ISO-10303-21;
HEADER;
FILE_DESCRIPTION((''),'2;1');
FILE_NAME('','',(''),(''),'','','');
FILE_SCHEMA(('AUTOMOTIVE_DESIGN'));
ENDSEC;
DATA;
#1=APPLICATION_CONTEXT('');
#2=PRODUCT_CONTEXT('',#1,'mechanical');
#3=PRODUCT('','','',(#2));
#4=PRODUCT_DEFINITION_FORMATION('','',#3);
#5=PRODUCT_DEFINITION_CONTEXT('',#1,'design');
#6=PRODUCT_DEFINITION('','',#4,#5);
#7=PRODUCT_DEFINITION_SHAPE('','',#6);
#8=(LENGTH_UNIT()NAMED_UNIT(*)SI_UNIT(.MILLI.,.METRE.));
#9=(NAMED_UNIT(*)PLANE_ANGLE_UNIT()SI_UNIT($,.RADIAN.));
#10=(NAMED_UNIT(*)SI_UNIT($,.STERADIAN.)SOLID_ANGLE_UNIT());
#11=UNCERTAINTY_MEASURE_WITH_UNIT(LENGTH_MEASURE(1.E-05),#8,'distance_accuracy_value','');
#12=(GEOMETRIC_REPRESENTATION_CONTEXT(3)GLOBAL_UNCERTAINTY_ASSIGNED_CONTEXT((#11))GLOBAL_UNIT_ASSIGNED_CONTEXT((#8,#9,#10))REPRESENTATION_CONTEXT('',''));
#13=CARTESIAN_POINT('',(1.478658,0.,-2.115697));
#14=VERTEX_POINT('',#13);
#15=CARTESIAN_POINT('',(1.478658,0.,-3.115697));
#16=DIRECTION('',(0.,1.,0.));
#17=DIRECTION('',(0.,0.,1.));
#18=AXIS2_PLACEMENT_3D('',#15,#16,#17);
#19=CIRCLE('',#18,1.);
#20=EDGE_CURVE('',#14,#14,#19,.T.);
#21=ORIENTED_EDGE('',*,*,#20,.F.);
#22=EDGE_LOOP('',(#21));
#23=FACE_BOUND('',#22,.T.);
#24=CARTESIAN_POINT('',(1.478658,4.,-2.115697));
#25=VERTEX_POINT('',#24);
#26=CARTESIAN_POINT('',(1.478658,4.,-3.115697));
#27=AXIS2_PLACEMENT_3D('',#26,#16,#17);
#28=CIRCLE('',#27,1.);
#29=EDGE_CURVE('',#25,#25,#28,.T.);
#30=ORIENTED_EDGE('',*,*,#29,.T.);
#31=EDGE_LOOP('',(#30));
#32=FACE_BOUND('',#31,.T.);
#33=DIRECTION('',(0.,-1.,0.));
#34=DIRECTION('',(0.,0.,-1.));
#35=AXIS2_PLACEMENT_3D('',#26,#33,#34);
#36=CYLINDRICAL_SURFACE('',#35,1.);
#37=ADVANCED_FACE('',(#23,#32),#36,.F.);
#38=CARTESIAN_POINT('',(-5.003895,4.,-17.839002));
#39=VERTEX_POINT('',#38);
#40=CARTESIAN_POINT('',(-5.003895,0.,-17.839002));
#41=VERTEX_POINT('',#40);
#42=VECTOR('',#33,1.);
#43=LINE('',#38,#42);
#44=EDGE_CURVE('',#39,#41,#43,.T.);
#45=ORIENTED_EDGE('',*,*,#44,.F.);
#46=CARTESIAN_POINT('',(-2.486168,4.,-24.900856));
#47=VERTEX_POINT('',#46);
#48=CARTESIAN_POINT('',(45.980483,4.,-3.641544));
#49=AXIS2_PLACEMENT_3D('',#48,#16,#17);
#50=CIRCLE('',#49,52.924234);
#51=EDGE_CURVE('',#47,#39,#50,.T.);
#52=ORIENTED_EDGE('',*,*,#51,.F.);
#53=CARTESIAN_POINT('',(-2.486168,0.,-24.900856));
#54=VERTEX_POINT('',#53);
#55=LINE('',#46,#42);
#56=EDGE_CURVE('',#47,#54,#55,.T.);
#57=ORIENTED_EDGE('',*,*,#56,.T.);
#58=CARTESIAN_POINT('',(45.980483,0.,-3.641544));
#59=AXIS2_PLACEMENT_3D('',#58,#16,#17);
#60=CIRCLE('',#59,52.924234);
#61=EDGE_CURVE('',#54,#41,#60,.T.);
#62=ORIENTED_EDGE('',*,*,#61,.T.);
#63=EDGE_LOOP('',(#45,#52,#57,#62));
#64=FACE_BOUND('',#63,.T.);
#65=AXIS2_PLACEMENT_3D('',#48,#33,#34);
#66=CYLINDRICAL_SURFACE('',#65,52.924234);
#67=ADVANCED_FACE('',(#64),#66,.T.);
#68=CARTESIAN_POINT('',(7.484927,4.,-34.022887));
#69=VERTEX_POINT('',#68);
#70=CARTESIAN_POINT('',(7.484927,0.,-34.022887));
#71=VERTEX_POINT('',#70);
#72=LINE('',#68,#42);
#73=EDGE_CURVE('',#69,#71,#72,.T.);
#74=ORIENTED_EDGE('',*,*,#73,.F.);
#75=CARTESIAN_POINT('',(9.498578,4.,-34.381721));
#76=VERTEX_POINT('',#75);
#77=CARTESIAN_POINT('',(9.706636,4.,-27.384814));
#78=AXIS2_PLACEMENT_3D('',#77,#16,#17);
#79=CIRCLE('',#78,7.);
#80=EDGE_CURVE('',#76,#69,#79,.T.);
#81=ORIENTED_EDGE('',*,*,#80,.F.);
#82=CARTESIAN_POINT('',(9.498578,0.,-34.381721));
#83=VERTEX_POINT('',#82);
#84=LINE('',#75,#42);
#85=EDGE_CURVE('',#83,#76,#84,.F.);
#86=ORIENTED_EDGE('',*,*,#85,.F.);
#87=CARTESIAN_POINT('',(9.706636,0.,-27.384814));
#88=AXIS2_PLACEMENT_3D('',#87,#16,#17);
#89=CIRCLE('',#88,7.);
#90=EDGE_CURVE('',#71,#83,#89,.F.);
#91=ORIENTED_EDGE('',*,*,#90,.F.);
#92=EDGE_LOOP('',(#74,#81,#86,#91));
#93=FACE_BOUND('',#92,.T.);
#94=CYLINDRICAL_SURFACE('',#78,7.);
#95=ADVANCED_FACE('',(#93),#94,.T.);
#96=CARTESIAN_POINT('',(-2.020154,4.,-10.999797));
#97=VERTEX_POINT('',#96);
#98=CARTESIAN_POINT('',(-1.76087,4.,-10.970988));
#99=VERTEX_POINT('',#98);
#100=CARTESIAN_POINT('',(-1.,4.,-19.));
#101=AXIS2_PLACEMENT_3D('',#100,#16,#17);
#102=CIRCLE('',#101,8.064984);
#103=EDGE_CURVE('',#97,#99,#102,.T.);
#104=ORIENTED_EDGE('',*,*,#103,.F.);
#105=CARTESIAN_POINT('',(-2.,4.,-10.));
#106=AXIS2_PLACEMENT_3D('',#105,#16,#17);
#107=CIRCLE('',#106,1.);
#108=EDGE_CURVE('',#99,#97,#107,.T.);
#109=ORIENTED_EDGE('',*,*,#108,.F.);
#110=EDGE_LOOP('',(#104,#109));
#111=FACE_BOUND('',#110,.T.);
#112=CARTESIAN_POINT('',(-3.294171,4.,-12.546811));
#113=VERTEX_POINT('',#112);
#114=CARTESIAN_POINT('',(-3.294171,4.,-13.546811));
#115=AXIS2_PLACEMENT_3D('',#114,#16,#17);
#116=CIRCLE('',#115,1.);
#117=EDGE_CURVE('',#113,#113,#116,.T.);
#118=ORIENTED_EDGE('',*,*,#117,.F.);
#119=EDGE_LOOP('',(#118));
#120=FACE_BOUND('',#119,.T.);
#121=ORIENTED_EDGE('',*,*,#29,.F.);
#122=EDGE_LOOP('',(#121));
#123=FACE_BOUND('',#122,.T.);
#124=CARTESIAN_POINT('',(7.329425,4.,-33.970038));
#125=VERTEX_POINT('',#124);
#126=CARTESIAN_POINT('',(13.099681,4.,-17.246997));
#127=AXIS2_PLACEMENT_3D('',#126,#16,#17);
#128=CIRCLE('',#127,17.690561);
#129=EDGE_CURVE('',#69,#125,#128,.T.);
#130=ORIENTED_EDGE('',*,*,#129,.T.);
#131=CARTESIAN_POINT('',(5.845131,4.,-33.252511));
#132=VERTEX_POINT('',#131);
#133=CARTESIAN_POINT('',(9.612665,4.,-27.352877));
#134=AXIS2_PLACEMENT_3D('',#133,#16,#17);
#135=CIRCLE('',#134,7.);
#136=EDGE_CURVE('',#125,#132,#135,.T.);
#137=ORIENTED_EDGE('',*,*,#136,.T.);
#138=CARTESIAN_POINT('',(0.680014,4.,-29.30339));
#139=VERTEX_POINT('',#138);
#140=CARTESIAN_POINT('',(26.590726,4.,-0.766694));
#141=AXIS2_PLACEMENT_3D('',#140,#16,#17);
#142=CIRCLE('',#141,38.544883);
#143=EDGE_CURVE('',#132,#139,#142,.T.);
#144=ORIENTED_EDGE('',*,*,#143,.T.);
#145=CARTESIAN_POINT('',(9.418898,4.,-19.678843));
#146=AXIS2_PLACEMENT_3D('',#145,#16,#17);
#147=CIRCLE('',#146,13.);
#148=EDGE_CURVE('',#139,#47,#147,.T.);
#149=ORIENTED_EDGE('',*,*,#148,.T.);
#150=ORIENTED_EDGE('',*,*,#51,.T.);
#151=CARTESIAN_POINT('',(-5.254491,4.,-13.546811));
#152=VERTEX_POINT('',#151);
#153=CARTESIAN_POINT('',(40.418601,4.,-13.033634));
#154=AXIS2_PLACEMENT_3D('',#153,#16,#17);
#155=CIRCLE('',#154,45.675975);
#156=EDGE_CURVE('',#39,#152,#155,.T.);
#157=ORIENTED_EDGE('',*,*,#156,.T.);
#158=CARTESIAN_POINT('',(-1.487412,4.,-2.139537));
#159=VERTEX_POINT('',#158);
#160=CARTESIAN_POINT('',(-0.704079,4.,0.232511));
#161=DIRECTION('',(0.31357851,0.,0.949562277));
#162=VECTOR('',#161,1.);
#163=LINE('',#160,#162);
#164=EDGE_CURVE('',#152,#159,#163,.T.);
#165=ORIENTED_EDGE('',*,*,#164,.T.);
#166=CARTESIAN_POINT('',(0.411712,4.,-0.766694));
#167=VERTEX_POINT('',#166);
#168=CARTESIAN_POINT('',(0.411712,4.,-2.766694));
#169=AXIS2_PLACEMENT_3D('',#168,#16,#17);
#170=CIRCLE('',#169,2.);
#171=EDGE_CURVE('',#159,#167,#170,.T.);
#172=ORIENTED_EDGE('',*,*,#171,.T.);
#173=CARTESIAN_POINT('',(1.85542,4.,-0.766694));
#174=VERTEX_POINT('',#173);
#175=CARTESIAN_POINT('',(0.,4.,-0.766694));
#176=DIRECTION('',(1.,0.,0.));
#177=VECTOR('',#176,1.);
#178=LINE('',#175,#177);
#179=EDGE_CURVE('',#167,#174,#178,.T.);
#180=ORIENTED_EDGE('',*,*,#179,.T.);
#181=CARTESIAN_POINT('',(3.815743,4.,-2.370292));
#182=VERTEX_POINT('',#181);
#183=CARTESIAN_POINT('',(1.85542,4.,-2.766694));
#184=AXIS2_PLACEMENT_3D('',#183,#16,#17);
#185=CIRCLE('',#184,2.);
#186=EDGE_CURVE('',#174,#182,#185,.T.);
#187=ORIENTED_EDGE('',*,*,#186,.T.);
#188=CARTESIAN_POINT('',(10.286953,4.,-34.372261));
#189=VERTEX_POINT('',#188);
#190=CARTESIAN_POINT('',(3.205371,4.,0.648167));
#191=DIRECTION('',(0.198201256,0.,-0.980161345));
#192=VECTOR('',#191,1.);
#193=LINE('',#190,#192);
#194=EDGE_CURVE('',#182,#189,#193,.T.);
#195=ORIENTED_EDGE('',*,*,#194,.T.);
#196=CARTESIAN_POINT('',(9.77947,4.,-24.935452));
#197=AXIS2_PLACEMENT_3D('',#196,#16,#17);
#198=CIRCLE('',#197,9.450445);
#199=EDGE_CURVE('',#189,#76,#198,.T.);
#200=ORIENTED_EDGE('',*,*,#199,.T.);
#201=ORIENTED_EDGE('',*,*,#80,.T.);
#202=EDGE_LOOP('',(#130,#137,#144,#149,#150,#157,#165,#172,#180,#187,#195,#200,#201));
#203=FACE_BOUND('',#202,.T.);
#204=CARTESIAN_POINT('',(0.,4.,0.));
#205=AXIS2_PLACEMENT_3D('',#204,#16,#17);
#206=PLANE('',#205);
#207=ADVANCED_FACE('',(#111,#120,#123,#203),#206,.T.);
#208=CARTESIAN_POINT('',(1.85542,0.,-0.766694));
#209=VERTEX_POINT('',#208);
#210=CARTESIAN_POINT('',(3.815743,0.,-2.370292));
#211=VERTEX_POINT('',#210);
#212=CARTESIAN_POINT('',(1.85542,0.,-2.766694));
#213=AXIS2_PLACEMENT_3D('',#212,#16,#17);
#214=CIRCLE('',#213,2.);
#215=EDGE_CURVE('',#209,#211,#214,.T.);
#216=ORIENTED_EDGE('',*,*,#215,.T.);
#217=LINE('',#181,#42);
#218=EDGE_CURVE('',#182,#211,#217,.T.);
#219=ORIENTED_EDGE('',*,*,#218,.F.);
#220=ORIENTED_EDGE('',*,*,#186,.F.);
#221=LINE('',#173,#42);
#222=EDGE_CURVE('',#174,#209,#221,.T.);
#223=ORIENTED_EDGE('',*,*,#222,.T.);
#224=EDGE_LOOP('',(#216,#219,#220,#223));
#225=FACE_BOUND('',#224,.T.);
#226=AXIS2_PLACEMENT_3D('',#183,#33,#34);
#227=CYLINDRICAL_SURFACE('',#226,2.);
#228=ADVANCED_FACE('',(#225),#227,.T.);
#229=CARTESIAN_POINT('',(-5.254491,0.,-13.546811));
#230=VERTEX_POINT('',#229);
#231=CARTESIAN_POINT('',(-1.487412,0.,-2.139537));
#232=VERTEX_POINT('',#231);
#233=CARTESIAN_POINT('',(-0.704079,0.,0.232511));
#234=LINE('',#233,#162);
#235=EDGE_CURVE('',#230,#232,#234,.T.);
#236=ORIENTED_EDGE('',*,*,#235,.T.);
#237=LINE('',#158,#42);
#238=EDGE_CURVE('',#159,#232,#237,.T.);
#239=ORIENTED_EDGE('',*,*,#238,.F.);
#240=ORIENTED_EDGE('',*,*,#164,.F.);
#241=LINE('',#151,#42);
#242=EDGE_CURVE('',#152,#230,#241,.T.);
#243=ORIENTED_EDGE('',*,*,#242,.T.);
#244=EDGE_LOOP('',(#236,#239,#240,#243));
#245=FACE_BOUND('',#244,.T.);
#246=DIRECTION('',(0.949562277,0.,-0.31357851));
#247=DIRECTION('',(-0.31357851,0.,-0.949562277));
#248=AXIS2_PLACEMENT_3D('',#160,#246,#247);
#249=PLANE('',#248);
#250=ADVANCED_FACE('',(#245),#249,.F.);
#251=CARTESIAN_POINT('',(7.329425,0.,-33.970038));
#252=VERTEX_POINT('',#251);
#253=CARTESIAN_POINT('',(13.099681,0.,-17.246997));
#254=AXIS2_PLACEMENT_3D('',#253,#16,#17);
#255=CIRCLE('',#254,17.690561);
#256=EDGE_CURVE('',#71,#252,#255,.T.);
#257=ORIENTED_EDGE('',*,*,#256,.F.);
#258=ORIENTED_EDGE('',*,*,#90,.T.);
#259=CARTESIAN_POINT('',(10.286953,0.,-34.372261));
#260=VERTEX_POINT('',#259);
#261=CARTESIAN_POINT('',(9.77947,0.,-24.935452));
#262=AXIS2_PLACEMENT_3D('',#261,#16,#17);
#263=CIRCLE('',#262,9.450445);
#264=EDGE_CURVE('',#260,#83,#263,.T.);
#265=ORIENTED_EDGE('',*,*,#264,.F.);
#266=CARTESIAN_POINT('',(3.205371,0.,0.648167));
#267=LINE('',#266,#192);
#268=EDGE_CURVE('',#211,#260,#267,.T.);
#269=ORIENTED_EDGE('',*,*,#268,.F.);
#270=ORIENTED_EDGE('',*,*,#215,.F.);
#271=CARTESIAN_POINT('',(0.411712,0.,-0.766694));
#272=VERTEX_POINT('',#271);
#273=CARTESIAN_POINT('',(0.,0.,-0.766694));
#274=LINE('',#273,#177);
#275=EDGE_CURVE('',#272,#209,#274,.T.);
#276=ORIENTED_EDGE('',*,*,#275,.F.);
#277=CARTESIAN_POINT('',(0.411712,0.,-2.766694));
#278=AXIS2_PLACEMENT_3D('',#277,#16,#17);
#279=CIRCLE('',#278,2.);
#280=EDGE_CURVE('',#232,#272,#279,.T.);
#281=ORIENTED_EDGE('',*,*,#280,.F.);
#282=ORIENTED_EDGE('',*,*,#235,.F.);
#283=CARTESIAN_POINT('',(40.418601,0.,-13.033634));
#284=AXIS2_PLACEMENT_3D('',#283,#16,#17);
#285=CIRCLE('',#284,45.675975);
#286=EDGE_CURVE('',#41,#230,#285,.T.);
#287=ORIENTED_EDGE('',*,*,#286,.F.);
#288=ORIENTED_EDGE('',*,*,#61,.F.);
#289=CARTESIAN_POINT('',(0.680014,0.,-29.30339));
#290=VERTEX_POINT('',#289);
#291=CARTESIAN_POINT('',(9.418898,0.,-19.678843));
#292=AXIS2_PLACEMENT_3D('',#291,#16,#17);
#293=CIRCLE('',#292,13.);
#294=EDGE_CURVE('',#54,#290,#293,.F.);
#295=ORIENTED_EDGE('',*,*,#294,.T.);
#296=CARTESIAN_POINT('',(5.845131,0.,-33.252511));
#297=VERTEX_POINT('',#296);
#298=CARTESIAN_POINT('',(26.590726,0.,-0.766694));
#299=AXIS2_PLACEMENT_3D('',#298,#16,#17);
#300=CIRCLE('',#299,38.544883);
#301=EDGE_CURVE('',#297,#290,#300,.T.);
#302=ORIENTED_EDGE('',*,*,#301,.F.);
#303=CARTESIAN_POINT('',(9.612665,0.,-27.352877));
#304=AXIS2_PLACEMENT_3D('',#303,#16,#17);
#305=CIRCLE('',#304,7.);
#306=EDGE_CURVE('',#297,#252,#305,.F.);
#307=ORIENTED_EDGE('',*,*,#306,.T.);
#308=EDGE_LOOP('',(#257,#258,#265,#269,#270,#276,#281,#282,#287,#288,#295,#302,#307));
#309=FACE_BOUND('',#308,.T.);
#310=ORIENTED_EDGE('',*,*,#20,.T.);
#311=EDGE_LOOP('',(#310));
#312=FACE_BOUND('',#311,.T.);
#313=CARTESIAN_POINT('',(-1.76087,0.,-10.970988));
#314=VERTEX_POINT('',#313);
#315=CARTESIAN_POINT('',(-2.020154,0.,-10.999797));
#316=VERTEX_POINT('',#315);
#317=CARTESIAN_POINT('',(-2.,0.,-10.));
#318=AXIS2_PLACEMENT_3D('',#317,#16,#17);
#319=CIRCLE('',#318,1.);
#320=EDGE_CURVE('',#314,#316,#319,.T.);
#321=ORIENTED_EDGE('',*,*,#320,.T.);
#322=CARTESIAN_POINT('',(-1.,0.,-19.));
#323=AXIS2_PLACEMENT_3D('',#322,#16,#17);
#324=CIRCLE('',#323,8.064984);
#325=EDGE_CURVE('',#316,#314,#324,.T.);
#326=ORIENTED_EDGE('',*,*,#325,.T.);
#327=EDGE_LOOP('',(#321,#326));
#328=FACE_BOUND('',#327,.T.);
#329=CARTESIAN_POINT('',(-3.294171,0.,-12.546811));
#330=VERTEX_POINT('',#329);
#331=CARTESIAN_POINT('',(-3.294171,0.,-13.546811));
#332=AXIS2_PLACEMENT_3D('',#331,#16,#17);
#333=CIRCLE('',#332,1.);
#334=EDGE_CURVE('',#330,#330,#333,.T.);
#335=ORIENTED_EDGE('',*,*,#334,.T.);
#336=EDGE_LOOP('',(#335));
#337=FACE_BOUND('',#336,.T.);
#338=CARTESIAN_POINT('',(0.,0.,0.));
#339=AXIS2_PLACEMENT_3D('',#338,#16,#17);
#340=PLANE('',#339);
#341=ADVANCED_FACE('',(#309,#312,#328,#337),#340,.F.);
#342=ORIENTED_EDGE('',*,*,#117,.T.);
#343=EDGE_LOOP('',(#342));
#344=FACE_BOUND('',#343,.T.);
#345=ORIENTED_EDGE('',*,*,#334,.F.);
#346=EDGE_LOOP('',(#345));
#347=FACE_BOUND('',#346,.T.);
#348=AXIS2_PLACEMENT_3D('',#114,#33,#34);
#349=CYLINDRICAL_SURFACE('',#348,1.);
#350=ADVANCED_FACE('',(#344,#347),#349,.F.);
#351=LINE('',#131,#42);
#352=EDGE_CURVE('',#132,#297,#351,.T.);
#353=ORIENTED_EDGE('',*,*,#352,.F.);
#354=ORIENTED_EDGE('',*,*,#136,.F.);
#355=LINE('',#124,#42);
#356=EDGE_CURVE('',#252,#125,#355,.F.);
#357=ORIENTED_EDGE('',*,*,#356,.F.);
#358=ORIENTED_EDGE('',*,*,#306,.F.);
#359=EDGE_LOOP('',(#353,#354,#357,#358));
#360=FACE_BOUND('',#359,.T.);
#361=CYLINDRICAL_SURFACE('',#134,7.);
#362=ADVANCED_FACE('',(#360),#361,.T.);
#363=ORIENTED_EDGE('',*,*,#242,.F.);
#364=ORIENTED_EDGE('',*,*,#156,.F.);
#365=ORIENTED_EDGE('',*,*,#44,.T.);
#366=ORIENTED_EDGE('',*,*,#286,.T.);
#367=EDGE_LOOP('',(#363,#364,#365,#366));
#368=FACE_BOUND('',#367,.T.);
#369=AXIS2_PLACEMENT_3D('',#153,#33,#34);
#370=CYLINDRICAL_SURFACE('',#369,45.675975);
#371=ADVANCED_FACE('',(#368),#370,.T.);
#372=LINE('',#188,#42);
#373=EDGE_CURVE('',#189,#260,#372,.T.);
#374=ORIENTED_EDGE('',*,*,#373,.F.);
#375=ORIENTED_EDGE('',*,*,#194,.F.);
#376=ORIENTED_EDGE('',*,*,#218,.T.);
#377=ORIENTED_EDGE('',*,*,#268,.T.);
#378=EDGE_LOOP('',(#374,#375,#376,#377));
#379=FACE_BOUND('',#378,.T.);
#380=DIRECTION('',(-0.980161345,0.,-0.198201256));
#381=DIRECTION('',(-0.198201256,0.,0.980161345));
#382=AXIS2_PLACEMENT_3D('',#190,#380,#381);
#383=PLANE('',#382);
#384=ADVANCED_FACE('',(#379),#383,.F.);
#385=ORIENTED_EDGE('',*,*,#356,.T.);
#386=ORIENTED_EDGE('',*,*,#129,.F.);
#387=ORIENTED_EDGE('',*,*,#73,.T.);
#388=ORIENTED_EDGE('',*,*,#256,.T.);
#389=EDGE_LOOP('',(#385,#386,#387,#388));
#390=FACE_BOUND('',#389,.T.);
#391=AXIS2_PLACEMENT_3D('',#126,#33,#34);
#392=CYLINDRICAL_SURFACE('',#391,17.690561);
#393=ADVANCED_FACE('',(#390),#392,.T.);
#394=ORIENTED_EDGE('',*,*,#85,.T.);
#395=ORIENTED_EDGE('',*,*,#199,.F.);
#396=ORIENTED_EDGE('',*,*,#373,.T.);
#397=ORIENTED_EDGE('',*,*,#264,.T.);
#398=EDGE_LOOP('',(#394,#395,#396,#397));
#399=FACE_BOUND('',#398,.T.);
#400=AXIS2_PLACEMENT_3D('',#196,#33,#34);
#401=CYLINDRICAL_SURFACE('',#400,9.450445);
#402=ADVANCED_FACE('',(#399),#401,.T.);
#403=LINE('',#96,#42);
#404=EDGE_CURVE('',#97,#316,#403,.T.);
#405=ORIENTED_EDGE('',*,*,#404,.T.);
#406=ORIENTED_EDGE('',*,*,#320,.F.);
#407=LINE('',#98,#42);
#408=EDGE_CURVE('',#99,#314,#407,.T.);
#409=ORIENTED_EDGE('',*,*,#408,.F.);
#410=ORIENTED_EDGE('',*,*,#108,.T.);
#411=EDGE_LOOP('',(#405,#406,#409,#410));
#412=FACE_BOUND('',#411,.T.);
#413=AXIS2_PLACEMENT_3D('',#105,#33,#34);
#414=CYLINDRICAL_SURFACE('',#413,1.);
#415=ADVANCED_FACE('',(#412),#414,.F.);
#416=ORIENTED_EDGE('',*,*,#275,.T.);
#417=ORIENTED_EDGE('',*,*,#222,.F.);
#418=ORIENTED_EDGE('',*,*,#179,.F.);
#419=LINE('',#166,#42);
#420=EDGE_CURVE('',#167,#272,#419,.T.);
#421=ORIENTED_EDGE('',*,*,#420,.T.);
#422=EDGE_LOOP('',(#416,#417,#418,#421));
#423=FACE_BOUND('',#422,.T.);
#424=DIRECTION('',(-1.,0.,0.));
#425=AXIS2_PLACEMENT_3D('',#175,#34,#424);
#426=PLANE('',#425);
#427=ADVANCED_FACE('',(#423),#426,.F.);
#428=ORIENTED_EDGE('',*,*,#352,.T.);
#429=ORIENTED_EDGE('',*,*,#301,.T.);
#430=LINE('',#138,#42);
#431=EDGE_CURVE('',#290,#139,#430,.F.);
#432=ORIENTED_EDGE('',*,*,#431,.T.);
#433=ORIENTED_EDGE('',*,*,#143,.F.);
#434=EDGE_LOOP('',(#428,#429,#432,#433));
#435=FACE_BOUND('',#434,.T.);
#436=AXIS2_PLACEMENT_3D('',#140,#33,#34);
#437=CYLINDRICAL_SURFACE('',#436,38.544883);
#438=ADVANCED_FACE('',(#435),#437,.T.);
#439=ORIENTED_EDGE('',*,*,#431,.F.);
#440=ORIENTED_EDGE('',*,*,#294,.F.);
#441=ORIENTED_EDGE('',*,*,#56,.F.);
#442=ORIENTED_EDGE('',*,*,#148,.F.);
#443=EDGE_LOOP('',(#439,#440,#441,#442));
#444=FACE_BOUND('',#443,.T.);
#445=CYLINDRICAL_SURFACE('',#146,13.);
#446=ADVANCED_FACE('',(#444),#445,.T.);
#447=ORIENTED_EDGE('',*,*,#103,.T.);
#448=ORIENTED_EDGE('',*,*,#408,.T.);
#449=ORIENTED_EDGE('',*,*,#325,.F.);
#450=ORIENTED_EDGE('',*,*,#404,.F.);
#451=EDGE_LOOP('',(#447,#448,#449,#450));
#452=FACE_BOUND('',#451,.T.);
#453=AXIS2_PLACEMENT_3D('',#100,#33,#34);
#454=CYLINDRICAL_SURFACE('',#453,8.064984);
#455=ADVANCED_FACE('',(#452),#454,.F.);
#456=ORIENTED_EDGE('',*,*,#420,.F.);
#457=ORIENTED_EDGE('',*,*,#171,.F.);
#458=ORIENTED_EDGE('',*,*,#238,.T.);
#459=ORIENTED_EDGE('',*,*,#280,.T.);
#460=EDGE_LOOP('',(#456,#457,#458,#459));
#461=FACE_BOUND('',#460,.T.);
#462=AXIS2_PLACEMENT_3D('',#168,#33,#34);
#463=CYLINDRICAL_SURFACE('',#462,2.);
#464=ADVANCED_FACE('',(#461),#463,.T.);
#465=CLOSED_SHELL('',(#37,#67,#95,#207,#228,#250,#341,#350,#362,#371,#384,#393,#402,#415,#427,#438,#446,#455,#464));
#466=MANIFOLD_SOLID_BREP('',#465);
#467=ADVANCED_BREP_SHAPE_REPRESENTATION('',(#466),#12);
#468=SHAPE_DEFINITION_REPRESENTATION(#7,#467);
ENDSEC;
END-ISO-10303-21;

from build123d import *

# Parameters (mm, degrees)
SKETCH2_R           = 1
BOSS_EXTRUDE2_DEPTH = 4
FILLET1_R           = 13
FILLET2_R           = 7
FILLET4_R           = 7


with BuildPart() as part:
    # Sketch2 → Boss-Extrude2 (new body)
    with BuildSketch(Plane(origin=(0, 0, 0), x_dir=(1, 0, 0), z_dir=(0, 1, 0))):
        with BuildLine():
            Line((-5.254491041, 13.546811275), (-1.48741211, 2.139537078))
            ThreePointArc((-1.48741211, 2.139537078), (-0.759971379, 1.145843389), (0.411712444, 0.766694098))
            Line((0.411712444, 0.766694098), (1.855419889, 0.766694098))
            ThreePointArc((1.855419889, 0.766694098), (3.121752187, 1.218662279), (3.815742579, 2.370291586))
            Line((3.815742579, 2.370291586), (10.286953209, 34.372260906))
            ThreePointArc((10.286953209, 34.372260906), (9.271638883, 34.372242241), (8.262186146, 34.263300263))
            ThreePointArc((8.262186146, 34.263300263), (7.370397326, 33.984118682), (6.494594719, 33.658236114))
            ThreePointArc((6.494594719, 33.658236114), (2.361803433, 30.744474886), (-1.353992878, 27.314777221))
            ThreePointArc((-1.353992878, 27.314777221), (-3.406730235, 22.664628668), (-5.003894853, 17.839001517))
            ThreePointArc((-5.003894853, 17.839001517), (-5.179724164, 15.695856621), (-5.254491041, 13.546811275))
        make_face()
        with Locations(Location((1.478658486, 3.11569661, 0), (0, 0, 270))):
            Circle(SKETCH2_R, mode=Mode.SUBTRACT)
        with Locations(Location((-3.294171009, 13.546811275, 0), (0, 0, 270))):
            Circle(SKETCH2_R, mode=Mode.SUBTRACT)
        with BuildLine():
            ThreePointArc((-1.76086985, 10.970987524), (-1.889568474, 10.993883735), (-2.020154104, 10.999796885))
            ThreePointArc((-2.020154104, 10.999796885), (-1.890628473, 10.984343745), (-1.76086985, 10.970987524))
        make_face(mode=Mode.SUBTRACT)
    extrude(amount=BOSS_EXTRUDE2_DEPTH)

    # Fillet1
    fillet1_edges = [part.edges().sort_by_distance(p)[0] for p in [
        (-1.353992878, 2, -27.314777221),
    ]]
    fillet(fillet1_edges, radius=FILLET1_R)

    # Fillet2
    fillet2_edges = [part.edges().sort_by_distance(p)[0] for p in [
        (8.262186146, 2, -34.263300263),
    ]]
    fillet(fillet2_edges, radius=FILLET2_R)

    # Fillet4
    fillet4_edges = [part.edges().sort_by_distance(p)[0] for p in [
        (6.494594719, 2, -33.658236114),
    ]]
    fillet(fillet4_edges, radius=FILLET4_R)


solid = part.part
